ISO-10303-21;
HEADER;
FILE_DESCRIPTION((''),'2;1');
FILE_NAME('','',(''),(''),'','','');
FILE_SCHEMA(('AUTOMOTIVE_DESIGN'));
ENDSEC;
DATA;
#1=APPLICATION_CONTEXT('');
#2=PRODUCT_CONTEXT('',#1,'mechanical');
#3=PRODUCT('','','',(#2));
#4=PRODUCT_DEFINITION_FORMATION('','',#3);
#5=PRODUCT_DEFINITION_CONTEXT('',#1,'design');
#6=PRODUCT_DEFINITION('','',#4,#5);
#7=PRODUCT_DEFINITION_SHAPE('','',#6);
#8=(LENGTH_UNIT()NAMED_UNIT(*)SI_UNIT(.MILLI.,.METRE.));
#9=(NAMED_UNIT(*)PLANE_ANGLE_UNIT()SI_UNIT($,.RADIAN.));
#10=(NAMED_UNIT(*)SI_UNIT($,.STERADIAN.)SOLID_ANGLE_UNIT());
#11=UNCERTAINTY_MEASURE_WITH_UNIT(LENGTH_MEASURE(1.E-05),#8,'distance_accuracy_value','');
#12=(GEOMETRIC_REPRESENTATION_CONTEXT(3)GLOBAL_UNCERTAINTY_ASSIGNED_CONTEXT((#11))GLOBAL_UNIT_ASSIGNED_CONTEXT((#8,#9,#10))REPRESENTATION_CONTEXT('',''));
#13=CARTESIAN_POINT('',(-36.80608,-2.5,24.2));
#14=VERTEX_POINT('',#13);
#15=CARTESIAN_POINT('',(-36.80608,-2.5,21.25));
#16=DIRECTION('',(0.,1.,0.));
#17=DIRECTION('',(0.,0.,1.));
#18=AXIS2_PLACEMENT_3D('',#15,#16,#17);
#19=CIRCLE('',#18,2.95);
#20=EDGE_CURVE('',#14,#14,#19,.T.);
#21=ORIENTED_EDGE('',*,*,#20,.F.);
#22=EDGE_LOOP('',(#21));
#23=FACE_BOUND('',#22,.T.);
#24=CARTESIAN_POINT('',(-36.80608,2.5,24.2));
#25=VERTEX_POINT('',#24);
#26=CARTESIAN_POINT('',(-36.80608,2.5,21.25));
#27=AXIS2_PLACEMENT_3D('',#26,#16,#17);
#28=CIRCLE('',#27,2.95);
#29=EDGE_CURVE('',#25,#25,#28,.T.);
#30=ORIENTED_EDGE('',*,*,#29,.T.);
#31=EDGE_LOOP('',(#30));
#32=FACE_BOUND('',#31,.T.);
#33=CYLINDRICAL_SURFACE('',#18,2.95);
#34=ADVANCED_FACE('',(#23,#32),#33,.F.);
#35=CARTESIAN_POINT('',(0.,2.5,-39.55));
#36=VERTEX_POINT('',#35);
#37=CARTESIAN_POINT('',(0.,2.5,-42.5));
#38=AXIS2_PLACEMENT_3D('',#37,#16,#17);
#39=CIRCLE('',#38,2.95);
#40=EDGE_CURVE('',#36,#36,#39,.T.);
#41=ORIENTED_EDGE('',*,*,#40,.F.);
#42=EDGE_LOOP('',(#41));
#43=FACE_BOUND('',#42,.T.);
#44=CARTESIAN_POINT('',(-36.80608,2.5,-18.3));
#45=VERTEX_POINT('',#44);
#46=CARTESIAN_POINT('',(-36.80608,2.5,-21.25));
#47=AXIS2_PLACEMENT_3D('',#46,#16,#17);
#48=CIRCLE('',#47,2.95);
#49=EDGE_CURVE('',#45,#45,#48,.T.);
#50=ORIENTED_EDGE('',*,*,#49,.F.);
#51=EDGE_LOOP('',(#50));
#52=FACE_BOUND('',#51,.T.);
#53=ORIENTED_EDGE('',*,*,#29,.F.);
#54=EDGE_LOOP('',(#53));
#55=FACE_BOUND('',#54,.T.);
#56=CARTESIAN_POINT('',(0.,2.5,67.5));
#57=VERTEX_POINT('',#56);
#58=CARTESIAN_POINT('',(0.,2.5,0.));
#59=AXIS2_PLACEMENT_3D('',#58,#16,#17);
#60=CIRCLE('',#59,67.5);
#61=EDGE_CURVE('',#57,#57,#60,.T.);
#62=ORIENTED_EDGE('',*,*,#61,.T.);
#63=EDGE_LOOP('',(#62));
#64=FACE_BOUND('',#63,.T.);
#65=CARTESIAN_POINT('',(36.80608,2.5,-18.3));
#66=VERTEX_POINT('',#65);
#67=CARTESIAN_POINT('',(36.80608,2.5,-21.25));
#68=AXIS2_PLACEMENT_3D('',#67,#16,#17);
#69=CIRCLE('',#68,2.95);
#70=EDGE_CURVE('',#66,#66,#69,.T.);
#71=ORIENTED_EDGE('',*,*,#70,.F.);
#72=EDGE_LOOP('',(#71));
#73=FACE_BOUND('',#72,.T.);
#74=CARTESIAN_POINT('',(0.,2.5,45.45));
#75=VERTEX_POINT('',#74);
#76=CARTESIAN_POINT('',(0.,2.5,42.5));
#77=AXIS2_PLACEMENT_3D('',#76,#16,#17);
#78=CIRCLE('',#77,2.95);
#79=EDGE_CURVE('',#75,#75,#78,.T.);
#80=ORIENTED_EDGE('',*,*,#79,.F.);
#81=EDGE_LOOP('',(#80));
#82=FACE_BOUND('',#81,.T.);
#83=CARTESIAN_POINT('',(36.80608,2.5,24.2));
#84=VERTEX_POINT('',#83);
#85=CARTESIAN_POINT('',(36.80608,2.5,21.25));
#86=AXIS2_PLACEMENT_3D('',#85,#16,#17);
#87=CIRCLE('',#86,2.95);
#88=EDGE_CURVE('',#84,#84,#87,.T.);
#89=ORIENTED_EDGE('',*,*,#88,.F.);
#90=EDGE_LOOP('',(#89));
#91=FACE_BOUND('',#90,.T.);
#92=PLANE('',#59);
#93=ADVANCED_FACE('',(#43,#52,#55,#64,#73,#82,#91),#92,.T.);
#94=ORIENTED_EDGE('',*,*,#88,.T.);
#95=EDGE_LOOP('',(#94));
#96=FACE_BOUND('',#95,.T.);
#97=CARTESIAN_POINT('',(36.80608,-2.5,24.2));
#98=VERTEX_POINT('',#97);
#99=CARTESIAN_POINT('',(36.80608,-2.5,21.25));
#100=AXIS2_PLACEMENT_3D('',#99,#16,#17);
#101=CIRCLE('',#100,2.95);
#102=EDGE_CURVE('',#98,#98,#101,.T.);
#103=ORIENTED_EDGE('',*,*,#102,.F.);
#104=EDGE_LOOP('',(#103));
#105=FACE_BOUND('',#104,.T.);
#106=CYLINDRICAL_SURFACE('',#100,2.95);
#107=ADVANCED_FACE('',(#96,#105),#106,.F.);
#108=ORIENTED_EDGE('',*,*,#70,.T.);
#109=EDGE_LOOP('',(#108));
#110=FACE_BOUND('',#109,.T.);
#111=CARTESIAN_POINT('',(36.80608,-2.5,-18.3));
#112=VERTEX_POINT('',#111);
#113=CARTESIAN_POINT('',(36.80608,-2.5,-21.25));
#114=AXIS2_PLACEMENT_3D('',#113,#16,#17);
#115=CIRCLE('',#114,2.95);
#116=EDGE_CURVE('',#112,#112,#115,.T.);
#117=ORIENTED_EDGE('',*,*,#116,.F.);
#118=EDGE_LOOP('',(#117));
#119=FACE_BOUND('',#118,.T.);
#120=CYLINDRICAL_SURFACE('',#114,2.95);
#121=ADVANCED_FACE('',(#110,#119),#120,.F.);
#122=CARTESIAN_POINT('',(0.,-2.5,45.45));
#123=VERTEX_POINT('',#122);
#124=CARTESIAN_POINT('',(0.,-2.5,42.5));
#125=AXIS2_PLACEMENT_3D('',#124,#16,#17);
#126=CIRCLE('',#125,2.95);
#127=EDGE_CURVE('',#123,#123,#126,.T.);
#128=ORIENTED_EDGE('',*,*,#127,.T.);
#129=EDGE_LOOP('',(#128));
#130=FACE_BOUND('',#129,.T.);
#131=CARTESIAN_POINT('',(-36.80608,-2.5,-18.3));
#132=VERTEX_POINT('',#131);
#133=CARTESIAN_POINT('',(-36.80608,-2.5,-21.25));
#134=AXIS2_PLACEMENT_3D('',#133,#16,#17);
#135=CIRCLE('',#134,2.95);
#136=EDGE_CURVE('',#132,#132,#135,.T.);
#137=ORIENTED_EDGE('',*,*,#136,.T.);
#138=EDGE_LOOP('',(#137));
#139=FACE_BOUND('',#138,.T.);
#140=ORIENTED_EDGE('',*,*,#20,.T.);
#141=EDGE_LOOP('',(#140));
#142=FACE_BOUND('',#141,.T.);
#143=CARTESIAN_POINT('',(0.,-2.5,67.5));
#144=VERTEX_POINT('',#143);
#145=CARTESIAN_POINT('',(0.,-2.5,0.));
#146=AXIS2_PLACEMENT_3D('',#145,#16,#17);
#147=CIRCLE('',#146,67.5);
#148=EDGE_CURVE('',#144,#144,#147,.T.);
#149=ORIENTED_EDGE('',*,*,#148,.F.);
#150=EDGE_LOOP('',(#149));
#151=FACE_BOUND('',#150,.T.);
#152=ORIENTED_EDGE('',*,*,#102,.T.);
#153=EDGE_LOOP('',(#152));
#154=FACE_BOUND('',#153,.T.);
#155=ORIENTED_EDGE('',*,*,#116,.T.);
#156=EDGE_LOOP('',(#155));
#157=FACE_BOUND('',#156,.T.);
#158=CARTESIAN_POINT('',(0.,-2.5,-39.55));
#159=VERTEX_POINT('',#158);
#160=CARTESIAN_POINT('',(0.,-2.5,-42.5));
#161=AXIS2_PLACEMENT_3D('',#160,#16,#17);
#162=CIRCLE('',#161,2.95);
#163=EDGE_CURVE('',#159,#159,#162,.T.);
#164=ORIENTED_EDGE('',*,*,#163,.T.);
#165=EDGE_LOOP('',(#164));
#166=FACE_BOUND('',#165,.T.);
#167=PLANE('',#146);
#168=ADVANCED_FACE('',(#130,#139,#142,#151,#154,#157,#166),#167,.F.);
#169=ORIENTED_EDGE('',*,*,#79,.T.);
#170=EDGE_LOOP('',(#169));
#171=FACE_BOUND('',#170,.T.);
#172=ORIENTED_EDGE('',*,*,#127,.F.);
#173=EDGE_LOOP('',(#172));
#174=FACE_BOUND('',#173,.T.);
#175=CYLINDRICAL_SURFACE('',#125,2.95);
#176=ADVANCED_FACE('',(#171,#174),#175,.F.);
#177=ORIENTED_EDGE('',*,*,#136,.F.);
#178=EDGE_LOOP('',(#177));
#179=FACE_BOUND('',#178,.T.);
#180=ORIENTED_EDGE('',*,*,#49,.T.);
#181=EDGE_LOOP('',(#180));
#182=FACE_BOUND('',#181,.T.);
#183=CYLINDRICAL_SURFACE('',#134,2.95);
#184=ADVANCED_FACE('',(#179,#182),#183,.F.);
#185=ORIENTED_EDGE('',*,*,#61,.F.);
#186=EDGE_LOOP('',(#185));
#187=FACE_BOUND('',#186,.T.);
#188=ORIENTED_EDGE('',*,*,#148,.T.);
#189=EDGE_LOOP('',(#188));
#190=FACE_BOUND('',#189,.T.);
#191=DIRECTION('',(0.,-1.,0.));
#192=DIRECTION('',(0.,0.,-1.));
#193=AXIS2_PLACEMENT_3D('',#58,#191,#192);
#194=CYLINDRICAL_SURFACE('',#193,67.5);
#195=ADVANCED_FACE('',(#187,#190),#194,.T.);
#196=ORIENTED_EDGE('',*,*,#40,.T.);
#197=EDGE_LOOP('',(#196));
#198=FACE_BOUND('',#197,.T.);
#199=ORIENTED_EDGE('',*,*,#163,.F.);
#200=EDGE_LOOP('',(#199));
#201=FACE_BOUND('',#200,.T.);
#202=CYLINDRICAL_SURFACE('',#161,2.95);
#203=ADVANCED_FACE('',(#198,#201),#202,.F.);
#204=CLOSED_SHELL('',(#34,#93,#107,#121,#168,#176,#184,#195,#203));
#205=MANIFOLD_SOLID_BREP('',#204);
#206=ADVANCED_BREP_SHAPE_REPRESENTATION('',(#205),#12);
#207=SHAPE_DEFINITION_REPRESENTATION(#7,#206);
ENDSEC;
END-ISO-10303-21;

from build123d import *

# Parameters (mm, degrees)
SKETCH1_R           = 67.5
BOSS_EXTRUDE1_DEPTH = 2.5
SKETCH2_R           = 2.95
CUT_EXTRUDE1_DEPTH  = 5


with BuildPart() as part:
    # Sketch1 → Boss-Extrude1 (new, symmetric)
    with BuildSketch(Plane(origin=(0, 0, 0), x_dir=(1, 0, 0), z_dir=(0, 1, 0))):
        with Locations(Location((0, 0, 0), (0, 0, 270))):
            Circle(SKETCH1_R)
    extrude(amount=BOSS_EXTRUDE1_DEPTH, both=True)

    # Sketch2 → Cut-Extrude1 (cut)
    with BuildSketch(Plane(origin=(0, 2.5, 0), x_dir=(1, 0, 0), z_dir=(0, 1, 0))):
        with Locations(Location((0, 42.5, 0), (0, 0, 270))):
            Circle(SKETCH2_R)
        with Locations(Location((36.806079661, 21.25, 0), (0, 0, 270))):
            Circle(SKETCH2_R)
        with Locations(Location((36.806079661, -21.25, 0), (0, 0, 270))):
            Circle(SKETCH2_R)
        with Locations(Location((0, -42.5, 0), (0, 0, 270))):
            Circle(SKETCH2_R)
        with Locations(Location((-36.806079661, -21.25, 0), (0, 0, 270))):
            Circle(SKETCH2_R)
        with Locations(Location((-36.806079661, 21.25, 0), (0, 0, 270))):
            Circle(SKETCH2_R)
    extrude(amount=-CUT_EXTRUDE1_DEPTH, mode=Mode.SUBTRACT)


solid = part.part
